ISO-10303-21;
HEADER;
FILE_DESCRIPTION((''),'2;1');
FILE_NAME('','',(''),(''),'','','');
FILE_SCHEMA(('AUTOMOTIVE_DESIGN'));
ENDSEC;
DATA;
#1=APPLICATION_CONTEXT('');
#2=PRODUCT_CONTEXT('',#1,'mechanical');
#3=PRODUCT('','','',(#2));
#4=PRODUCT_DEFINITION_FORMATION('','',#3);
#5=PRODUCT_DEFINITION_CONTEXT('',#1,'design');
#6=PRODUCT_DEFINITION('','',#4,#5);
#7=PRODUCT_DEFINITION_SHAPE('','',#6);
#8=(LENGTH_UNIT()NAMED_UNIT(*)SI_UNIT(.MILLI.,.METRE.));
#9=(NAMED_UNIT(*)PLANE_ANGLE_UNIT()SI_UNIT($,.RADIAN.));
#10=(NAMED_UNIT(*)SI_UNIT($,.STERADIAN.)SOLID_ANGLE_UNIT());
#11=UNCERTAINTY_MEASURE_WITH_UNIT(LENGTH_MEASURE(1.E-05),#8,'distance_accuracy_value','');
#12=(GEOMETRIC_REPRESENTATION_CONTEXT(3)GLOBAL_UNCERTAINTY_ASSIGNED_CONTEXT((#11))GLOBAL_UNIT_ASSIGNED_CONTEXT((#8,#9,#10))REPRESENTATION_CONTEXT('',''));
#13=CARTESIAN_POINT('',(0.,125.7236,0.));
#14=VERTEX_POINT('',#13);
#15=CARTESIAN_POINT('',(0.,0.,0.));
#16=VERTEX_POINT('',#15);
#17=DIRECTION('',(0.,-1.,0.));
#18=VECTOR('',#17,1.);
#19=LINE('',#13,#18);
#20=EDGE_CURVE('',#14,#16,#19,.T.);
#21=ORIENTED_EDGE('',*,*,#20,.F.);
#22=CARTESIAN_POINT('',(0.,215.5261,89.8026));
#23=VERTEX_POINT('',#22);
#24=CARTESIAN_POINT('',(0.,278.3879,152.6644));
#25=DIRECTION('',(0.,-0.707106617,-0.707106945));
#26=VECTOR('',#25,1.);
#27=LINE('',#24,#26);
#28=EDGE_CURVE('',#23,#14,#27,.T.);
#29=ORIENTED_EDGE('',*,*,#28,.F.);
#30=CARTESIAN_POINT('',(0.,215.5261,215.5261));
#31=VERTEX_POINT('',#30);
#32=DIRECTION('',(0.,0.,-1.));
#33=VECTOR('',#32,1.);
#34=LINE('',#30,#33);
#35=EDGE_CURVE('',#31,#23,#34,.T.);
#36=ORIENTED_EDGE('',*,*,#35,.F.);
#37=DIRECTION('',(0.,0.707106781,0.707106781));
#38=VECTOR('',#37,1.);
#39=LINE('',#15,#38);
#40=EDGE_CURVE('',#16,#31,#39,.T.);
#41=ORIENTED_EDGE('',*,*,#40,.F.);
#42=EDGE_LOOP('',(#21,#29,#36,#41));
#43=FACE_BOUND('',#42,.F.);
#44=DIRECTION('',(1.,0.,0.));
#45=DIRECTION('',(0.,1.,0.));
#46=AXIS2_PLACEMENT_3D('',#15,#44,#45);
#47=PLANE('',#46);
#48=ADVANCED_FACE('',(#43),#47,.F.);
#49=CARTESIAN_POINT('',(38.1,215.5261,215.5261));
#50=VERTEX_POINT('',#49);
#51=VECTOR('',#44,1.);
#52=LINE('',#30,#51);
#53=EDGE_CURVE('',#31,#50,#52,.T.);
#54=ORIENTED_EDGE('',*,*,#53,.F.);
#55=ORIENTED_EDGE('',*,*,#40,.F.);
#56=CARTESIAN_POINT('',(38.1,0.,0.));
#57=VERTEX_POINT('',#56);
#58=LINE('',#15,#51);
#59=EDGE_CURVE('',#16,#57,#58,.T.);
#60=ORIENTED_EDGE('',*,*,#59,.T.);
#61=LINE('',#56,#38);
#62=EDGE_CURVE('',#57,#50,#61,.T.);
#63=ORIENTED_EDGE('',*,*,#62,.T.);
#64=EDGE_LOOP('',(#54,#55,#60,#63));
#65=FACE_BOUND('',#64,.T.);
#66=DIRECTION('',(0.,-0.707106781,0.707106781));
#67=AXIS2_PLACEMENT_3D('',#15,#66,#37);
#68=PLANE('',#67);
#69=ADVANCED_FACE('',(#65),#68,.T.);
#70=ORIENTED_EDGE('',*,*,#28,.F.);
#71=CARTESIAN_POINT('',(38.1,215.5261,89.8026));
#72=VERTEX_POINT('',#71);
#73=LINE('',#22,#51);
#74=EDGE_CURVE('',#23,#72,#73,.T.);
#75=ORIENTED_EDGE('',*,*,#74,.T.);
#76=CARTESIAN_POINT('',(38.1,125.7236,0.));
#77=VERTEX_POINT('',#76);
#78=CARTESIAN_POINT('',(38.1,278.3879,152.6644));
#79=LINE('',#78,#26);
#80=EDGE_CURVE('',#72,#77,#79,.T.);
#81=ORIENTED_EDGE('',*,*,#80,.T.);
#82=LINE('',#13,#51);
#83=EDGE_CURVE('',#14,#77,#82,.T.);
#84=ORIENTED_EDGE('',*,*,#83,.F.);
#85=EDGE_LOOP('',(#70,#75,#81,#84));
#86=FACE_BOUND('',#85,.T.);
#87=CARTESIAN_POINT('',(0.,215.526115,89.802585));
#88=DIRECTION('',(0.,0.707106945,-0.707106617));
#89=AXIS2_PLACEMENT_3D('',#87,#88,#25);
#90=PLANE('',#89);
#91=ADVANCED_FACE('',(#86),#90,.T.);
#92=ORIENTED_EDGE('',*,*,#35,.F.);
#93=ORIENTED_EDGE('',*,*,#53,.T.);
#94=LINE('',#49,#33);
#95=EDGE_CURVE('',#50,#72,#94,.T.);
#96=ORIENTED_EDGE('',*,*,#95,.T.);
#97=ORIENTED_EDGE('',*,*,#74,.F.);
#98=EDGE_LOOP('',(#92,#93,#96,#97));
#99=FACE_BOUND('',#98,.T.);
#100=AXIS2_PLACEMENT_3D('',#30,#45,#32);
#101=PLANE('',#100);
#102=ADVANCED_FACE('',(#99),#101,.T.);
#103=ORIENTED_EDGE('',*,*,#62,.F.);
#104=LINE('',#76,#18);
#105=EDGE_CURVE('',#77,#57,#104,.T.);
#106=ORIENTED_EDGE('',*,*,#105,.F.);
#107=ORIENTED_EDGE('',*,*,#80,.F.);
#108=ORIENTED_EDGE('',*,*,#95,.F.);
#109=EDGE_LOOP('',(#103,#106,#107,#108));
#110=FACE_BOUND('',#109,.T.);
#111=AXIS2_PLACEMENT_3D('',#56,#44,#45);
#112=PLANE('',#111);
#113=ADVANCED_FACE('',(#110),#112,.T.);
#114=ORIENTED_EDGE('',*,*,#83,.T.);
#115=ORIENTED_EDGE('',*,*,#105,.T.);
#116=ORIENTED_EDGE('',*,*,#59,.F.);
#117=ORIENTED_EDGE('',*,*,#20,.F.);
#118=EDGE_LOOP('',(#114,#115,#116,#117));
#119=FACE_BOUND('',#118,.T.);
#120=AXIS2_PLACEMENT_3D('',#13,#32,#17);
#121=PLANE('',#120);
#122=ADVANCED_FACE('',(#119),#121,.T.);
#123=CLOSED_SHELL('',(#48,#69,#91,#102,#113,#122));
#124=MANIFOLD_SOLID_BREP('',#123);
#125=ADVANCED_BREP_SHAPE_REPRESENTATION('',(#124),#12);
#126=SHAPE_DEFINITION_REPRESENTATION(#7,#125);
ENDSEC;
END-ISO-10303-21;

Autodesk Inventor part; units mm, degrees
ref_plane "YZ Plane" through (0, 0, 0) normal (1, 0, 0) x (0, 1, 0)
ref_plane "XZ Plane" through (0, 0, 0) normal (0, 1, 0) x (-1, 0, 0)
ref_plane "XY Plane" through (0, 0, 0) normal (0, 0, 1) x (1, 0, 0)
sketch "Sketch1" plane through (0, 0, 0) normal (1, 0, 0) x (0, 1, 0)
  line L0 (0, 0) -> (215.5261, 215.5261)
  line L1 (0, 0) -> (304.8, 0) construction
  line L2 (215.5261, 215.5261) -> (278.3879, 152.6644)
  line L3 (278.3879, 152.6644) -> (62.8618, -62.8618)
  line L4 (62.8618, -62.8618) -> (0, 0)
  line L5 (125.7236, 0) -> (0, 0)
  line L6 (215.5261, 215.5261) -> (215.5261, 89.8026)
  dimension "d0" = 304.8
  dimension "d1" = 45
  dimension "d2" = 88.9
extrude "Extrusion1" add sketch "Sketch1" along normal blind 38.1 contours L0 L6 L3 L5
properties part number "FrontTriangularJoist"
